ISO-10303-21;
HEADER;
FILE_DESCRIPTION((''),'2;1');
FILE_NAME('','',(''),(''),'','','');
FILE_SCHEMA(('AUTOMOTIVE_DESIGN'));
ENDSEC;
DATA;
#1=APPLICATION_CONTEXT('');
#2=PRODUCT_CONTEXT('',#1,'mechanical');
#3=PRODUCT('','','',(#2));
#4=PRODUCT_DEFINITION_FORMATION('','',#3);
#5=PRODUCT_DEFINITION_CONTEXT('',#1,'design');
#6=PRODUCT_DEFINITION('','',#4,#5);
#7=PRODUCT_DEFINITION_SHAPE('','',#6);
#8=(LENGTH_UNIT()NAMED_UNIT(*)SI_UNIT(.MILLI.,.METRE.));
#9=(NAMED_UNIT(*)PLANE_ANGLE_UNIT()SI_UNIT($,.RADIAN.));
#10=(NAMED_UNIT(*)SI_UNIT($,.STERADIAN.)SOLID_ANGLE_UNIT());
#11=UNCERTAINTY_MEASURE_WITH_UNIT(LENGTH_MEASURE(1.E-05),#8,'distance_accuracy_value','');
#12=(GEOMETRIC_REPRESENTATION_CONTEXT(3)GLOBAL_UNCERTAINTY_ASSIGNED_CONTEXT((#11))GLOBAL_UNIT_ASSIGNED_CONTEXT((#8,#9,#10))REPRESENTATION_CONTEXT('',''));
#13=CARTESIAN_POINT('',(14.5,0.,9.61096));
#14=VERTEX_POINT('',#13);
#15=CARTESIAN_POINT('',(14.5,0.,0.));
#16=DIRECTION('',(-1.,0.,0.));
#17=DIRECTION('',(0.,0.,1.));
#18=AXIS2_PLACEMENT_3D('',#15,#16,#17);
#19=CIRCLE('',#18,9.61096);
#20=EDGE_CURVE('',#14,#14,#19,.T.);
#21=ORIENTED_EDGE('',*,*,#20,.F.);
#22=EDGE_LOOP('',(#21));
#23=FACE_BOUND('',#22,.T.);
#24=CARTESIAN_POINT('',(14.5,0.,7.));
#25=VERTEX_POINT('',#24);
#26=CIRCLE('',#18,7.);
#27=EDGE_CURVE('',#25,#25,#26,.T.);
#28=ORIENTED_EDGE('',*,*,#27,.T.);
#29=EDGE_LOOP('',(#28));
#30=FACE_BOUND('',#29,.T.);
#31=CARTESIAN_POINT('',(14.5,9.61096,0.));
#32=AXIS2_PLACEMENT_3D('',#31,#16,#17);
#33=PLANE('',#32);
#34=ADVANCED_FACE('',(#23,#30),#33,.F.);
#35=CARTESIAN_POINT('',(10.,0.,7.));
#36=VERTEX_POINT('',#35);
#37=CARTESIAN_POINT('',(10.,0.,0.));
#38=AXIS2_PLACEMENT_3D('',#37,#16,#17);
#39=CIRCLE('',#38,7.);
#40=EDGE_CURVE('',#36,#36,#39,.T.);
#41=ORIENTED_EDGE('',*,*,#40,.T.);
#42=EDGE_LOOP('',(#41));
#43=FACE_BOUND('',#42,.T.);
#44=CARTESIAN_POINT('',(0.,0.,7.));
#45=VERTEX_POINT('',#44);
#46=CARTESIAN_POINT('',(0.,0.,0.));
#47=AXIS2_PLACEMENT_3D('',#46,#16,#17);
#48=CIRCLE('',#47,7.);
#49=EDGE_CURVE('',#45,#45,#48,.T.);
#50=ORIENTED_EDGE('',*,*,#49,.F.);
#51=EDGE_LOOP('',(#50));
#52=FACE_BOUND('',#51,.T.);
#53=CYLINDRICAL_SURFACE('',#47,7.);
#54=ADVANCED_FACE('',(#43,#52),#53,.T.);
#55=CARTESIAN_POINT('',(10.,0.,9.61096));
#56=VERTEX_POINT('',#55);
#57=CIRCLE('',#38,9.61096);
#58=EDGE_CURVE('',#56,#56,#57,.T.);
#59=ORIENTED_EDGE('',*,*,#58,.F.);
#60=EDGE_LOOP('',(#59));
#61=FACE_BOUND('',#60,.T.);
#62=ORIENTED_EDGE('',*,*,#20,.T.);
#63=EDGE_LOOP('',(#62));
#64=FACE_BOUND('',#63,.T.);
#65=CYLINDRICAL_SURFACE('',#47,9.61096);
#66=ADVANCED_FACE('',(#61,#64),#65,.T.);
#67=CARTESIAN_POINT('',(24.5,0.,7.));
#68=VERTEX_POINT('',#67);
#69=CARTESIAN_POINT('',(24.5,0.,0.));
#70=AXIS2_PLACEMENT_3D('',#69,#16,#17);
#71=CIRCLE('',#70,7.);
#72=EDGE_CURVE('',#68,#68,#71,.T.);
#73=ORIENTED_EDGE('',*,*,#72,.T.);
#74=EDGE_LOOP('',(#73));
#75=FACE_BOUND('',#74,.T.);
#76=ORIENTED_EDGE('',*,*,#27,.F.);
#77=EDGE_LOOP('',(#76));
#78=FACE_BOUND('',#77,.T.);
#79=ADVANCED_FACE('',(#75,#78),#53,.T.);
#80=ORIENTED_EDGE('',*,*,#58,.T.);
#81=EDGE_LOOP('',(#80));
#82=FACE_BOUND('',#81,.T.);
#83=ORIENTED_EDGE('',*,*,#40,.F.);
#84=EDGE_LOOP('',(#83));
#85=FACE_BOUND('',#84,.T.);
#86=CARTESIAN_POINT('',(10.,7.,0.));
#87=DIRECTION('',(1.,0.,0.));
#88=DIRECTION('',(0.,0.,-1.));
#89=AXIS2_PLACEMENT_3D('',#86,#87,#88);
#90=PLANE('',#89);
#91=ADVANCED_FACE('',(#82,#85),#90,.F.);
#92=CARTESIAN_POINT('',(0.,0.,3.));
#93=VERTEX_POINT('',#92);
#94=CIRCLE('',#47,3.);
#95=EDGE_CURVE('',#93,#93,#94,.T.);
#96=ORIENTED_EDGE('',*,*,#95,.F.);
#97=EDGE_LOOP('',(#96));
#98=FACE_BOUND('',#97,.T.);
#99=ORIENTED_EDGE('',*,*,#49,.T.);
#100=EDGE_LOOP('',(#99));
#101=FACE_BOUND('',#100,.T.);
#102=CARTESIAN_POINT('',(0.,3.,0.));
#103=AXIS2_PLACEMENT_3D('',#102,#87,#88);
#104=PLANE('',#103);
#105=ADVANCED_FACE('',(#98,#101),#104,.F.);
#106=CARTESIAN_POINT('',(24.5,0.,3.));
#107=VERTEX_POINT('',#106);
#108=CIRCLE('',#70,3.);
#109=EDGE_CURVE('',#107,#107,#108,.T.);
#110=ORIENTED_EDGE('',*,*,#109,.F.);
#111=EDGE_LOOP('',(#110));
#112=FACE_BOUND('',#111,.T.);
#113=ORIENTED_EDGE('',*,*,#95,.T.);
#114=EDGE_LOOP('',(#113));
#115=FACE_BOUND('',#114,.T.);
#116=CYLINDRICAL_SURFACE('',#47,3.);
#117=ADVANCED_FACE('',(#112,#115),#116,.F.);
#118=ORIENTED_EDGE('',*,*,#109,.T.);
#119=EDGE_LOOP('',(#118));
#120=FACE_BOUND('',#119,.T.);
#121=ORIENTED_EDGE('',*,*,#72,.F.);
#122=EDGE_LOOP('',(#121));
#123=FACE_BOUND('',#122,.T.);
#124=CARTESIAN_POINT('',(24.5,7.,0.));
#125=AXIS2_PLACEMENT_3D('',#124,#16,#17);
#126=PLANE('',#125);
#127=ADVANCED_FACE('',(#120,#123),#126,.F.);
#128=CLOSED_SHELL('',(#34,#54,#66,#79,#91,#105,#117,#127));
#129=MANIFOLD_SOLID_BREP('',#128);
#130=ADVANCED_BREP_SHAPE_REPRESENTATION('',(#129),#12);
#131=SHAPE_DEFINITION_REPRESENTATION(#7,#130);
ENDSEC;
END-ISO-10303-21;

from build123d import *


with BuildPart() as part:
    # Schizzo1 → Rivoluzione1 (revolve)
    with BuildSketch(Plane.XY, mode=Mode.PRIVATE) as rivoluzione1_sk:
        Polygon((0, 3), (0, 7), (10, 7), (10, 9.610959532), (14.5, 9.610959532), (14.5, 7), (24.5, 7), (24.5, 3), align=None)
    revolve(rivoluzione1_sk.sketch.rotate(Axis((0, 0, 0), (1, 0, 0)), 90), axis=Axis((0, 0, 0), (1, 0, 0)))


solid = part.part
